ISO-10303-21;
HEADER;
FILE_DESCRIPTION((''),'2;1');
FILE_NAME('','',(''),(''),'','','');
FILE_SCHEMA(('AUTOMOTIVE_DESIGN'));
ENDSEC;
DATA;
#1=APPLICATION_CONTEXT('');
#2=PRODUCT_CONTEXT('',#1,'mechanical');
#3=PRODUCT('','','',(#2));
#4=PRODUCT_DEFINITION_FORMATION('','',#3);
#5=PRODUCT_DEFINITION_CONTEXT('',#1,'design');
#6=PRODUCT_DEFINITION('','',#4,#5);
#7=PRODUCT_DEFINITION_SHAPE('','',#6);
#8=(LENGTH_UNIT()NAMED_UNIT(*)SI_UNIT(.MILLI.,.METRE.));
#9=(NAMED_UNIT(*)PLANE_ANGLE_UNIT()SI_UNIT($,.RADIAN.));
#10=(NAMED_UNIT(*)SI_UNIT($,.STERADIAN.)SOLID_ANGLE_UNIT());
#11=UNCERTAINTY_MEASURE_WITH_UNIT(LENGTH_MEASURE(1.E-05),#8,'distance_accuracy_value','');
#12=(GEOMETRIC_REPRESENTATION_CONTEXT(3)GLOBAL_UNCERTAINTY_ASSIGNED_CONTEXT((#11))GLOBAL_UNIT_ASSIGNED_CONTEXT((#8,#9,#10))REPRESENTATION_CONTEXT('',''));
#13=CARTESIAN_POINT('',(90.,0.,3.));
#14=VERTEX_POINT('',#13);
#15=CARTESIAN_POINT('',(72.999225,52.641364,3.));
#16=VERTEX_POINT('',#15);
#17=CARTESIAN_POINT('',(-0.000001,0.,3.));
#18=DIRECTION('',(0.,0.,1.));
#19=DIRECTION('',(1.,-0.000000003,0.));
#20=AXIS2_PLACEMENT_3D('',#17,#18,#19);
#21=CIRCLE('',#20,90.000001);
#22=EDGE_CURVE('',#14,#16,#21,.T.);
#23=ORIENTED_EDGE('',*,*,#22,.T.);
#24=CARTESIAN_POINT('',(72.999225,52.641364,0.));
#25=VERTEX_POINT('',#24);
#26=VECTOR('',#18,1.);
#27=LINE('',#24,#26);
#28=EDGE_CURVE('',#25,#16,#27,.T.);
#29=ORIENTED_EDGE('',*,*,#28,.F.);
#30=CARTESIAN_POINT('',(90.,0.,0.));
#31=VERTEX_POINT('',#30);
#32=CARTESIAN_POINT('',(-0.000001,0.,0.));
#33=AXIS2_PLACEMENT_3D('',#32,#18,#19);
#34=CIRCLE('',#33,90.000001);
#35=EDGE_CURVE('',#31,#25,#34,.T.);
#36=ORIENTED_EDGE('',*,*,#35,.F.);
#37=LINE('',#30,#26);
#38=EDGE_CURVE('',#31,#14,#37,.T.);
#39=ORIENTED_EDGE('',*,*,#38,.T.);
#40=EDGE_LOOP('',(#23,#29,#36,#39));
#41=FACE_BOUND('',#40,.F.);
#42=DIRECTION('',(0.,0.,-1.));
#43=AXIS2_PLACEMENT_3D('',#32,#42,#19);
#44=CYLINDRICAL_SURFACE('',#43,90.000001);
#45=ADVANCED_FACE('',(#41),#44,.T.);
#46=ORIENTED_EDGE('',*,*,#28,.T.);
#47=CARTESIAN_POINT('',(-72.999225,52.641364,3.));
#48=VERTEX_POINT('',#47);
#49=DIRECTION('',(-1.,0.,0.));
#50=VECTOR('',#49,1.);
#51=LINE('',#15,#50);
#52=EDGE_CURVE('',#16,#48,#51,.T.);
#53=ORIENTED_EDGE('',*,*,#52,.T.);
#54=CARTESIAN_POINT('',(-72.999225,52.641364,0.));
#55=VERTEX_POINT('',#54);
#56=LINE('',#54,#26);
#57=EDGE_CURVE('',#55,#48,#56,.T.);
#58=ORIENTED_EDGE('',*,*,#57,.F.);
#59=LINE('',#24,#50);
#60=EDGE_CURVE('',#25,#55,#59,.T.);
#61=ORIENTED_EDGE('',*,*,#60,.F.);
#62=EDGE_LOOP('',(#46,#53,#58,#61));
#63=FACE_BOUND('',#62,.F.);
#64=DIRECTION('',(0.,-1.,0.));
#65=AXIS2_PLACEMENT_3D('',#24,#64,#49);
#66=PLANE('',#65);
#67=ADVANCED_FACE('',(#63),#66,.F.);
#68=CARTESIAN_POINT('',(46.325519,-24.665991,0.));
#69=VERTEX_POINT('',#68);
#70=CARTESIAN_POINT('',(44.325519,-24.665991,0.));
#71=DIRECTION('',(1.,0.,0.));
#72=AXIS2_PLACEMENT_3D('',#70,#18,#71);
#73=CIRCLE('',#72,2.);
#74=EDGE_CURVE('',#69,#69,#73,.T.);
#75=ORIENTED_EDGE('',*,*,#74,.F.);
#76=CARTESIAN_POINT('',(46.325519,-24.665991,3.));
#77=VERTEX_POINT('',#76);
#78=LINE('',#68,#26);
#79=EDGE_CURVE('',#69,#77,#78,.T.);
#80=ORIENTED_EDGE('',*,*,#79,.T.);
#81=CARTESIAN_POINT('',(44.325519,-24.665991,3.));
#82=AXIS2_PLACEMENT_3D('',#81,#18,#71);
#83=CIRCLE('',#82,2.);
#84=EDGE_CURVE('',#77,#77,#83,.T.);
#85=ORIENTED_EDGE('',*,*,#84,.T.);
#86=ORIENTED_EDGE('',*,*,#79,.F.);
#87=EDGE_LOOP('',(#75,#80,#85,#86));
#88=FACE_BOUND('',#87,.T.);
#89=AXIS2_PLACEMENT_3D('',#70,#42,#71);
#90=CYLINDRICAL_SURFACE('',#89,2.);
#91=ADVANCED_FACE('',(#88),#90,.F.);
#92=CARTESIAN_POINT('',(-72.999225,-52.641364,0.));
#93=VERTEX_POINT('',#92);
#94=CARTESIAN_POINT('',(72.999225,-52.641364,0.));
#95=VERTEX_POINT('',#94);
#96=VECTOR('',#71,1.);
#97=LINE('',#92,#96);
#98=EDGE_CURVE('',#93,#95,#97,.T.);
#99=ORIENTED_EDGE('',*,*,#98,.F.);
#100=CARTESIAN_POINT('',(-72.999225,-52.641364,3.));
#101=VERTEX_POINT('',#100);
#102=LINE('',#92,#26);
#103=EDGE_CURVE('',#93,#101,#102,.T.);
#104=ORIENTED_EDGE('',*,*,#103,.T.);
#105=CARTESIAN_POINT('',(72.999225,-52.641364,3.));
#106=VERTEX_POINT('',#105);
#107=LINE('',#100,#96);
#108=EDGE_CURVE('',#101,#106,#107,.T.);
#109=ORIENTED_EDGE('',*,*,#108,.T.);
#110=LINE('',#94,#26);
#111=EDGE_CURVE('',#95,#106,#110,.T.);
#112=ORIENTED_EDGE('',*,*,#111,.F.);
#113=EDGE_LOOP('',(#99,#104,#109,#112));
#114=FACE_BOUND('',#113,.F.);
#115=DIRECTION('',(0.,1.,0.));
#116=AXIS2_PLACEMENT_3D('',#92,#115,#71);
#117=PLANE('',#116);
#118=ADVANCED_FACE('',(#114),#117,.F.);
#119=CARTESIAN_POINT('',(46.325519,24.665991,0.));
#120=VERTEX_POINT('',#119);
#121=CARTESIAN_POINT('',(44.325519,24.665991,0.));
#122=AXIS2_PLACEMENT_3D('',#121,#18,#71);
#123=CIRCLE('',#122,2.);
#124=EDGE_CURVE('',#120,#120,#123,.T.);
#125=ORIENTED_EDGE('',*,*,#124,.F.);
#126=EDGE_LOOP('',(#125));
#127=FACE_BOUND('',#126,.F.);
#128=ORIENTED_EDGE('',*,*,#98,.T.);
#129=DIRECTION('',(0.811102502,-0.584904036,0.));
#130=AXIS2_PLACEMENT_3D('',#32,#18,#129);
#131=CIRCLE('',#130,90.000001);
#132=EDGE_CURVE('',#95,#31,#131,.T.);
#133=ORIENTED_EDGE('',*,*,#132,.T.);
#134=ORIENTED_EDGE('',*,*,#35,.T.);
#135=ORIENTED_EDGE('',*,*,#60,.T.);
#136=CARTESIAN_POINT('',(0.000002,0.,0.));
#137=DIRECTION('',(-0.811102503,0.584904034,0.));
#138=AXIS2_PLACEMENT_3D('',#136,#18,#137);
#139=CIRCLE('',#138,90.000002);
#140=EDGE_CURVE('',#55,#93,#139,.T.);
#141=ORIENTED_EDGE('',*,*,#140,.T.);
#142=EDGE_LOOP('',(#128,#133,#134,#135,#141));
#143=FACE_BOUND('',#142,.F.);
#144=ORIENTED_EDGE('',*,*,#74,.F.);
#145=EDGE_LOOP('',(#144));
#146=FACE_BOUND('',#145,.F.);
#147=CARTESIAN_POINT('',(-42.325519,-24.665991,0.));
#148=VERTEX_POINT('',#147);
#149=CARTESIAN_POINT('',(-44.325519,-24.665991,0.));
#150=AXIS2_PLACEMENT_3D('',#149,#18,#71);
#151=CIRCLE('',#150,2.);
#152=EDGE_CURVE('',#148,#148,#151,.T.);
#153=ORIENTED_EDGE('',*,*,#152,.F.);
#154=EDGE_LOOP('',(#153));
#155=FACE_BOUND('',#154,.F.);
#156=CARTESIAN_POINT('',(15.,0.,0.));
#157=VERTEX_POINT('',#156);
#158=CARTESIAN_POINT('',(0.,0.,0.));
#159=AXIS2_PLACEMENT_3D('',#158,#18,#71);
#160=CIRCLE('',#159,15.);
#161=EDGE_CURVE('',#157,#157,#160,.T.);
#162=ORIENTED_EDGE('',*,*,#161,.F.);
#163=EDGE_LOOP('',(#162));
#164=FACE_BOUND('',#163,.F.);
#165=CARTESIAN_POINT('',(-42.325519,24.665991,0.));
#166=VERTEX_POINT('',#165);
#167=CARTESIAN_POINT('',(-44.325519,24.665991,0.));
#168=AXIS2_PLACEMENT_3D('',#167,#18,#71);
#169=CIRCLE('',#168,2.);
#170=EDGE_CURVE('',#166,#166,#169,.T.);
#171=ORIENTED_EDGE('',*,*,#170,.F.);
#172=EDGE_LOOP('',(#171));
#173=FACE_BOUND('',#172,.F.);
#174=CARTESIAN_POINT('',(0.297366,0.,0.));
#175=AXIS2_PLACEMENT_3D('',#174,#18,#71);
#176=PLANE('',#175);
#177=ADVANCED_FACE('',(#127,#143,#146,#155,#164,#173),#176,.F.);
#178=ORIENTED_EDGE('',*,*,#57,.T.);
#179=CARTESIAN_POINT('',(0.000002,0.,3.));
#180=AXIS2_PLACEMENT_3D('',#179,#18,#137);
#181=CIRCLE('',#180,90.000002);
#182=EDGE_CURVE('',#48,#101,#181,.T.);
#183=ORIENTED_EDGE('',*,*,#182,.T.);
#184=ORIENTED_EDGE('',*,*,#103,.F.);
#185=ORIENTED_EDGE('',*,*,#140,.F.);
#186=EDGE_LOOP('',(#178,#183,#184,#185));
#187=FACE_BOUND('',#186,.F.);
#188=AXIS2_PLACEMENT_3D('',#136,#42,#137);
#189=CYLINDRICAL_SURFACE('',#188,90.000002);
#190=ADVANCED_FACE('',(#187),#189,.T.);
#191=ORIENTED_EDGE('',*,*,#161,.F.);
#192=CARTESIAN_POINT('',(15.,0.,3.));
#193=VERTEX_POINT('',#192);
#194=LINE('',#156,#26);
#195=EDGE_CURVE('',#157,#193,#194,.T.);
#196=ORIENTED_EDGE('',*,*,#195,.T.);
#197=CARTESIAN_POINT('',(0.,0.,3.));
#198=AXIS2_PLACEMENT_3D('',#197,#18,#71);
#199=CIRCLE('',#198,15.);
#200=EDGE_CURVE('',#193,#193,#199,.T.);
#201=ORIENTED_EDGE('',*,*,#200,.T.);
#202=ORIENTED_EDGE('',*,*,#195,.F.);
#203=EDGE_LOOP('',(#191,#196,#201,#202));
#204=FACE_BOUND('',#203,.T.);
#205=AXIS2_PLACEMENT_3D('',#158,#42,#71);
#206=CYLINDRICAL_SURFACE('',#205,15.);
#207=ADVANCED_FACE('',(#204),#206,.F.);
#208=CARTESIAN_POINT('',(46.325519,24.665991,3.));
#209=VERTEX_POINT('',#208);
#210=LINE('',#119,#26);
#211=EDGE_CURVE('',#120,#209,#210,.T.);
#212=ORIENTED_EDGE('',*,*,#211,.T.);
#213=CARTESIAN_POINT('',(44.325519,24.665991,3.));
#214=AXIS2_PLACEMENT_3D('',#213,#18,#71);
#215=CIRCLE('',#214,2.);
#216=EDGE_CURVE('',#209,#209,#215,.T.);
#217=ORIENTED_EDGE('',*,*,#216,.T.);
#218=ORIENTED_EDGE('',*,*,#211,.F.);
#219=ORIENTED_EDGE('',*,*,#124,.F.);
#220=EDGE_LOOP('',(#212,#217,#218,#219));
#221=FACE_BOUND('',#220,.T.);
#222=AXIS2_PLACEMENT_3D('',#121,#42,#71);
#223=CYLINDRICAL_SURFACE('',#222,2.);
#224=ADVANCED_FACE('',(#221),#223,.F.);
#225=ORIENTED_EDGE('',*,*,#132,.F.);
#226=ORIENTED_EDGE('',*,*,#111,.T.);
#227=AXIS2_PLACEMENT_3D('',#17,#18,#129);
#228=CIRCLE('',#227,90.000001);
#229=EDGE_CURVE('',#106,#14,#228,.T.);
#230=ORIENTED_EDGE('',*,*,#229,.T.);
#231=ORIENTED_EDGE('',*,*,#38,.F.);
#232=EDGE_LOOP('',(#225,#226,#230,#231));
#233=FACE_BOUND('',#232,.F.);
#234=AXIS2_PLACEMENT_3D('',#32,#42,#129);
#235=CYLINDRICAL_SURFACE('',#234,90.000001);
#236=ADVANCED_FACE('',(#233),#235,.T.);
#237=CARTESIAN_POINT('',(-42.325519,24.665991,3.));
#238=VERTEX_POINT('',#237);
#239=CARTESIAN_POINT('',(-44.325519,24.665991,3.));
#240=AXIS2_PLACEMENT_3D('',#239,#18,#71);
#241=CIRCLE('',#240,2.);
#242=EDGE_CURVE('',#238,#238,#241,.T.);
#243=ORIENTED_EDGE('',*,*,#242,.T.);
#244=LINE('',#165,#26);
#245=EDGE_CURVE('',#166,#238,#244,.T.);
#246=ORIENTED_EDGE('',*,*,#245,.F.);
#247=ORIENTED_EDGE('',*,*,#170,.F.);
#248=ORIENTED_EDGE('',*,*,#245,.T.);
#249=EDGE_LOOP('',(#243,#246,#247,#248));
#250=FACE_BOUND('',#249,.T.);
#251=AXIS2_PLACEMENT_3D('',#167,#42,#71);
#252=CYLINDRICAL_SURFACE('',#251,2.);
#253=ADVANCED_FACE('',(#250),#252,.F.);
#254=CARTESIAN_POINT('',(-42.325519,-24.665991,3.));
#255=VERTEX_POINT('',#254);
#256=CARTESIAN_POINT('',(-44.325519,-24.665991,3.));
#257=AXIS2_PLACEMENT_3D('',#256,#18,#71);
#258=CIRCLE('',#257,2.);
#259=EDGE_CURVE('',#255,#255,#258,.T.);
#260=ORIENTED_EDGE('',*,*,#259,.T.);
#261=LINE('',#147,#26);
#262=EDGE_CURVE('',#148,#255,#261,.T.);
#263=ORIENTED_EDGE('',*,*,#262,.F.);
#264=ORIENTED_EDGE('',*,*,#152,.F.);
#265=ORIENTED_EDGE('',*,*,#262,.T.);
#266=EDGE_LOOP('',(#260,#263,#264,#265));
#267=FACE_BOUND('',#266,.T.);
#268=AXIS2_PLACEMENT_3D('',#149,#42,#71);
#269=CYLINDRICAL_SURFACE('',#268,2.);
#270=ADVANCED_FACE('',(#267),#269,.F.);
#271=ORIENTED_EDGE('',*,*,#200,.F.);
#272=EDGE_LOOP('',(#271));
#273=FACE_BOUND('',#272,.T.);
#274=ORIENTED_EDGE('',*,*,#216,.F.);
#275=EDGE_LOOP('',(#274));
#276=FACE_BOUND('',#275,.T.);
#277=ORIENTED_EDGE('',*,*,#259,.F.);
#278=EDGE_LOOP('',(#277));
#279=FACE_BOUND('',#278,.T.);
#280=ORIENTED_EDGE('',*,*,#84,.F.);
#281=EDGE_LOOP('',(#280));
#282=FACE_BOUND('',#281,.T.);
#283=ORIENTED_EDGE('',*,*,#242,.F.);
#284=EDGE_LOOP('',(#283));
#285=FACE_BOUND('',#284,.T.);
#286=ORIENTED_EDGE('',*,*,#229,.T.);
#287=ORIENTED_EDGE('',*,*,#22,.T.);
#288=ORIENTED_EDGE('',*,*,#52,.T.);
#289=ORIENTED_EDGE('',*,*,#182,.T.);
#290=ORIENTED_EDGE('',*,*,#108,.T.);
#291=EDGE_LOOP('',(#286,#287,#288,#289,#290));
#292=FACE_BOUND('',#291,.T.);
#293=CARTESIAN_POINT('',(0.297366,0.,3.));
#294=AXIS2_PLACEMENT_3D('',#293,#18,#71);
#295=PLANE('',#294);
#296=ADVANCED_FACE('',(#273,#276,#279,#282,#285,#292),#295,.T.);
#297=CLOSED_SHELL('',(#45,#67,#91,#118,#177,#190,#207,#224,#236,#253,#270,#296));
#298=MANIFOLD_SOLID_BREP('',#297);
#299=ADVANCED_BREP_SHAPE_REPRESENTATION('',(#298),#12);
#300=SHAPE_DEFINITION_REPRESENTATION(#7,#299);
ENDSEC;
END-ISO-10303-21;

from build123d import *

# Parameters (mm, degrees)
F0_R     = 2
F0_R_2   = 15
F1_DEPTH = 3


with BuildPart() as f1:
    # F0 (on Top) → F1 (new body)
    with BuildSketch(Plane.XY):
        with BuildLine():
            ThreePointArc((72.999225, -52.641364), (85.644411, -27.659264), (90, 0))
            ThreePointArc((90, 0), (85.644411, 27.659264), (72.999225, 52.641364))
            Line((72.999225, 52.641364), (-72.999225, 52.641364))
            ThreePointArc((-72.999225, 52.641364), (-90, 0), (-72.999225, -52.641364))
            Line((-72.999225, -52.641364), (72.999225, -52.641364))
        make_face()
        with Locations((-44.325519, -24.665991)):
            Circle(F0_R, mode=Mode.SUBTRACT)
        with Locations((44.325519, -24.665991)):
            Circle(F0_R, mode=Mode.SUBTRACT)
        with Locations((-44.325519, 24.665991)):
            Circle(F0_R, mode=Mode.SUBTRACT)
        Circle(F0_R_2, mode=Mode.SUBTRACT)
        with Locations((44.325519, 24.665991)):
            Circle(F0_R, mode=Mode.SUBTRACT)
    extrude(amount=F1_DEPTH)


solid = f1.part
